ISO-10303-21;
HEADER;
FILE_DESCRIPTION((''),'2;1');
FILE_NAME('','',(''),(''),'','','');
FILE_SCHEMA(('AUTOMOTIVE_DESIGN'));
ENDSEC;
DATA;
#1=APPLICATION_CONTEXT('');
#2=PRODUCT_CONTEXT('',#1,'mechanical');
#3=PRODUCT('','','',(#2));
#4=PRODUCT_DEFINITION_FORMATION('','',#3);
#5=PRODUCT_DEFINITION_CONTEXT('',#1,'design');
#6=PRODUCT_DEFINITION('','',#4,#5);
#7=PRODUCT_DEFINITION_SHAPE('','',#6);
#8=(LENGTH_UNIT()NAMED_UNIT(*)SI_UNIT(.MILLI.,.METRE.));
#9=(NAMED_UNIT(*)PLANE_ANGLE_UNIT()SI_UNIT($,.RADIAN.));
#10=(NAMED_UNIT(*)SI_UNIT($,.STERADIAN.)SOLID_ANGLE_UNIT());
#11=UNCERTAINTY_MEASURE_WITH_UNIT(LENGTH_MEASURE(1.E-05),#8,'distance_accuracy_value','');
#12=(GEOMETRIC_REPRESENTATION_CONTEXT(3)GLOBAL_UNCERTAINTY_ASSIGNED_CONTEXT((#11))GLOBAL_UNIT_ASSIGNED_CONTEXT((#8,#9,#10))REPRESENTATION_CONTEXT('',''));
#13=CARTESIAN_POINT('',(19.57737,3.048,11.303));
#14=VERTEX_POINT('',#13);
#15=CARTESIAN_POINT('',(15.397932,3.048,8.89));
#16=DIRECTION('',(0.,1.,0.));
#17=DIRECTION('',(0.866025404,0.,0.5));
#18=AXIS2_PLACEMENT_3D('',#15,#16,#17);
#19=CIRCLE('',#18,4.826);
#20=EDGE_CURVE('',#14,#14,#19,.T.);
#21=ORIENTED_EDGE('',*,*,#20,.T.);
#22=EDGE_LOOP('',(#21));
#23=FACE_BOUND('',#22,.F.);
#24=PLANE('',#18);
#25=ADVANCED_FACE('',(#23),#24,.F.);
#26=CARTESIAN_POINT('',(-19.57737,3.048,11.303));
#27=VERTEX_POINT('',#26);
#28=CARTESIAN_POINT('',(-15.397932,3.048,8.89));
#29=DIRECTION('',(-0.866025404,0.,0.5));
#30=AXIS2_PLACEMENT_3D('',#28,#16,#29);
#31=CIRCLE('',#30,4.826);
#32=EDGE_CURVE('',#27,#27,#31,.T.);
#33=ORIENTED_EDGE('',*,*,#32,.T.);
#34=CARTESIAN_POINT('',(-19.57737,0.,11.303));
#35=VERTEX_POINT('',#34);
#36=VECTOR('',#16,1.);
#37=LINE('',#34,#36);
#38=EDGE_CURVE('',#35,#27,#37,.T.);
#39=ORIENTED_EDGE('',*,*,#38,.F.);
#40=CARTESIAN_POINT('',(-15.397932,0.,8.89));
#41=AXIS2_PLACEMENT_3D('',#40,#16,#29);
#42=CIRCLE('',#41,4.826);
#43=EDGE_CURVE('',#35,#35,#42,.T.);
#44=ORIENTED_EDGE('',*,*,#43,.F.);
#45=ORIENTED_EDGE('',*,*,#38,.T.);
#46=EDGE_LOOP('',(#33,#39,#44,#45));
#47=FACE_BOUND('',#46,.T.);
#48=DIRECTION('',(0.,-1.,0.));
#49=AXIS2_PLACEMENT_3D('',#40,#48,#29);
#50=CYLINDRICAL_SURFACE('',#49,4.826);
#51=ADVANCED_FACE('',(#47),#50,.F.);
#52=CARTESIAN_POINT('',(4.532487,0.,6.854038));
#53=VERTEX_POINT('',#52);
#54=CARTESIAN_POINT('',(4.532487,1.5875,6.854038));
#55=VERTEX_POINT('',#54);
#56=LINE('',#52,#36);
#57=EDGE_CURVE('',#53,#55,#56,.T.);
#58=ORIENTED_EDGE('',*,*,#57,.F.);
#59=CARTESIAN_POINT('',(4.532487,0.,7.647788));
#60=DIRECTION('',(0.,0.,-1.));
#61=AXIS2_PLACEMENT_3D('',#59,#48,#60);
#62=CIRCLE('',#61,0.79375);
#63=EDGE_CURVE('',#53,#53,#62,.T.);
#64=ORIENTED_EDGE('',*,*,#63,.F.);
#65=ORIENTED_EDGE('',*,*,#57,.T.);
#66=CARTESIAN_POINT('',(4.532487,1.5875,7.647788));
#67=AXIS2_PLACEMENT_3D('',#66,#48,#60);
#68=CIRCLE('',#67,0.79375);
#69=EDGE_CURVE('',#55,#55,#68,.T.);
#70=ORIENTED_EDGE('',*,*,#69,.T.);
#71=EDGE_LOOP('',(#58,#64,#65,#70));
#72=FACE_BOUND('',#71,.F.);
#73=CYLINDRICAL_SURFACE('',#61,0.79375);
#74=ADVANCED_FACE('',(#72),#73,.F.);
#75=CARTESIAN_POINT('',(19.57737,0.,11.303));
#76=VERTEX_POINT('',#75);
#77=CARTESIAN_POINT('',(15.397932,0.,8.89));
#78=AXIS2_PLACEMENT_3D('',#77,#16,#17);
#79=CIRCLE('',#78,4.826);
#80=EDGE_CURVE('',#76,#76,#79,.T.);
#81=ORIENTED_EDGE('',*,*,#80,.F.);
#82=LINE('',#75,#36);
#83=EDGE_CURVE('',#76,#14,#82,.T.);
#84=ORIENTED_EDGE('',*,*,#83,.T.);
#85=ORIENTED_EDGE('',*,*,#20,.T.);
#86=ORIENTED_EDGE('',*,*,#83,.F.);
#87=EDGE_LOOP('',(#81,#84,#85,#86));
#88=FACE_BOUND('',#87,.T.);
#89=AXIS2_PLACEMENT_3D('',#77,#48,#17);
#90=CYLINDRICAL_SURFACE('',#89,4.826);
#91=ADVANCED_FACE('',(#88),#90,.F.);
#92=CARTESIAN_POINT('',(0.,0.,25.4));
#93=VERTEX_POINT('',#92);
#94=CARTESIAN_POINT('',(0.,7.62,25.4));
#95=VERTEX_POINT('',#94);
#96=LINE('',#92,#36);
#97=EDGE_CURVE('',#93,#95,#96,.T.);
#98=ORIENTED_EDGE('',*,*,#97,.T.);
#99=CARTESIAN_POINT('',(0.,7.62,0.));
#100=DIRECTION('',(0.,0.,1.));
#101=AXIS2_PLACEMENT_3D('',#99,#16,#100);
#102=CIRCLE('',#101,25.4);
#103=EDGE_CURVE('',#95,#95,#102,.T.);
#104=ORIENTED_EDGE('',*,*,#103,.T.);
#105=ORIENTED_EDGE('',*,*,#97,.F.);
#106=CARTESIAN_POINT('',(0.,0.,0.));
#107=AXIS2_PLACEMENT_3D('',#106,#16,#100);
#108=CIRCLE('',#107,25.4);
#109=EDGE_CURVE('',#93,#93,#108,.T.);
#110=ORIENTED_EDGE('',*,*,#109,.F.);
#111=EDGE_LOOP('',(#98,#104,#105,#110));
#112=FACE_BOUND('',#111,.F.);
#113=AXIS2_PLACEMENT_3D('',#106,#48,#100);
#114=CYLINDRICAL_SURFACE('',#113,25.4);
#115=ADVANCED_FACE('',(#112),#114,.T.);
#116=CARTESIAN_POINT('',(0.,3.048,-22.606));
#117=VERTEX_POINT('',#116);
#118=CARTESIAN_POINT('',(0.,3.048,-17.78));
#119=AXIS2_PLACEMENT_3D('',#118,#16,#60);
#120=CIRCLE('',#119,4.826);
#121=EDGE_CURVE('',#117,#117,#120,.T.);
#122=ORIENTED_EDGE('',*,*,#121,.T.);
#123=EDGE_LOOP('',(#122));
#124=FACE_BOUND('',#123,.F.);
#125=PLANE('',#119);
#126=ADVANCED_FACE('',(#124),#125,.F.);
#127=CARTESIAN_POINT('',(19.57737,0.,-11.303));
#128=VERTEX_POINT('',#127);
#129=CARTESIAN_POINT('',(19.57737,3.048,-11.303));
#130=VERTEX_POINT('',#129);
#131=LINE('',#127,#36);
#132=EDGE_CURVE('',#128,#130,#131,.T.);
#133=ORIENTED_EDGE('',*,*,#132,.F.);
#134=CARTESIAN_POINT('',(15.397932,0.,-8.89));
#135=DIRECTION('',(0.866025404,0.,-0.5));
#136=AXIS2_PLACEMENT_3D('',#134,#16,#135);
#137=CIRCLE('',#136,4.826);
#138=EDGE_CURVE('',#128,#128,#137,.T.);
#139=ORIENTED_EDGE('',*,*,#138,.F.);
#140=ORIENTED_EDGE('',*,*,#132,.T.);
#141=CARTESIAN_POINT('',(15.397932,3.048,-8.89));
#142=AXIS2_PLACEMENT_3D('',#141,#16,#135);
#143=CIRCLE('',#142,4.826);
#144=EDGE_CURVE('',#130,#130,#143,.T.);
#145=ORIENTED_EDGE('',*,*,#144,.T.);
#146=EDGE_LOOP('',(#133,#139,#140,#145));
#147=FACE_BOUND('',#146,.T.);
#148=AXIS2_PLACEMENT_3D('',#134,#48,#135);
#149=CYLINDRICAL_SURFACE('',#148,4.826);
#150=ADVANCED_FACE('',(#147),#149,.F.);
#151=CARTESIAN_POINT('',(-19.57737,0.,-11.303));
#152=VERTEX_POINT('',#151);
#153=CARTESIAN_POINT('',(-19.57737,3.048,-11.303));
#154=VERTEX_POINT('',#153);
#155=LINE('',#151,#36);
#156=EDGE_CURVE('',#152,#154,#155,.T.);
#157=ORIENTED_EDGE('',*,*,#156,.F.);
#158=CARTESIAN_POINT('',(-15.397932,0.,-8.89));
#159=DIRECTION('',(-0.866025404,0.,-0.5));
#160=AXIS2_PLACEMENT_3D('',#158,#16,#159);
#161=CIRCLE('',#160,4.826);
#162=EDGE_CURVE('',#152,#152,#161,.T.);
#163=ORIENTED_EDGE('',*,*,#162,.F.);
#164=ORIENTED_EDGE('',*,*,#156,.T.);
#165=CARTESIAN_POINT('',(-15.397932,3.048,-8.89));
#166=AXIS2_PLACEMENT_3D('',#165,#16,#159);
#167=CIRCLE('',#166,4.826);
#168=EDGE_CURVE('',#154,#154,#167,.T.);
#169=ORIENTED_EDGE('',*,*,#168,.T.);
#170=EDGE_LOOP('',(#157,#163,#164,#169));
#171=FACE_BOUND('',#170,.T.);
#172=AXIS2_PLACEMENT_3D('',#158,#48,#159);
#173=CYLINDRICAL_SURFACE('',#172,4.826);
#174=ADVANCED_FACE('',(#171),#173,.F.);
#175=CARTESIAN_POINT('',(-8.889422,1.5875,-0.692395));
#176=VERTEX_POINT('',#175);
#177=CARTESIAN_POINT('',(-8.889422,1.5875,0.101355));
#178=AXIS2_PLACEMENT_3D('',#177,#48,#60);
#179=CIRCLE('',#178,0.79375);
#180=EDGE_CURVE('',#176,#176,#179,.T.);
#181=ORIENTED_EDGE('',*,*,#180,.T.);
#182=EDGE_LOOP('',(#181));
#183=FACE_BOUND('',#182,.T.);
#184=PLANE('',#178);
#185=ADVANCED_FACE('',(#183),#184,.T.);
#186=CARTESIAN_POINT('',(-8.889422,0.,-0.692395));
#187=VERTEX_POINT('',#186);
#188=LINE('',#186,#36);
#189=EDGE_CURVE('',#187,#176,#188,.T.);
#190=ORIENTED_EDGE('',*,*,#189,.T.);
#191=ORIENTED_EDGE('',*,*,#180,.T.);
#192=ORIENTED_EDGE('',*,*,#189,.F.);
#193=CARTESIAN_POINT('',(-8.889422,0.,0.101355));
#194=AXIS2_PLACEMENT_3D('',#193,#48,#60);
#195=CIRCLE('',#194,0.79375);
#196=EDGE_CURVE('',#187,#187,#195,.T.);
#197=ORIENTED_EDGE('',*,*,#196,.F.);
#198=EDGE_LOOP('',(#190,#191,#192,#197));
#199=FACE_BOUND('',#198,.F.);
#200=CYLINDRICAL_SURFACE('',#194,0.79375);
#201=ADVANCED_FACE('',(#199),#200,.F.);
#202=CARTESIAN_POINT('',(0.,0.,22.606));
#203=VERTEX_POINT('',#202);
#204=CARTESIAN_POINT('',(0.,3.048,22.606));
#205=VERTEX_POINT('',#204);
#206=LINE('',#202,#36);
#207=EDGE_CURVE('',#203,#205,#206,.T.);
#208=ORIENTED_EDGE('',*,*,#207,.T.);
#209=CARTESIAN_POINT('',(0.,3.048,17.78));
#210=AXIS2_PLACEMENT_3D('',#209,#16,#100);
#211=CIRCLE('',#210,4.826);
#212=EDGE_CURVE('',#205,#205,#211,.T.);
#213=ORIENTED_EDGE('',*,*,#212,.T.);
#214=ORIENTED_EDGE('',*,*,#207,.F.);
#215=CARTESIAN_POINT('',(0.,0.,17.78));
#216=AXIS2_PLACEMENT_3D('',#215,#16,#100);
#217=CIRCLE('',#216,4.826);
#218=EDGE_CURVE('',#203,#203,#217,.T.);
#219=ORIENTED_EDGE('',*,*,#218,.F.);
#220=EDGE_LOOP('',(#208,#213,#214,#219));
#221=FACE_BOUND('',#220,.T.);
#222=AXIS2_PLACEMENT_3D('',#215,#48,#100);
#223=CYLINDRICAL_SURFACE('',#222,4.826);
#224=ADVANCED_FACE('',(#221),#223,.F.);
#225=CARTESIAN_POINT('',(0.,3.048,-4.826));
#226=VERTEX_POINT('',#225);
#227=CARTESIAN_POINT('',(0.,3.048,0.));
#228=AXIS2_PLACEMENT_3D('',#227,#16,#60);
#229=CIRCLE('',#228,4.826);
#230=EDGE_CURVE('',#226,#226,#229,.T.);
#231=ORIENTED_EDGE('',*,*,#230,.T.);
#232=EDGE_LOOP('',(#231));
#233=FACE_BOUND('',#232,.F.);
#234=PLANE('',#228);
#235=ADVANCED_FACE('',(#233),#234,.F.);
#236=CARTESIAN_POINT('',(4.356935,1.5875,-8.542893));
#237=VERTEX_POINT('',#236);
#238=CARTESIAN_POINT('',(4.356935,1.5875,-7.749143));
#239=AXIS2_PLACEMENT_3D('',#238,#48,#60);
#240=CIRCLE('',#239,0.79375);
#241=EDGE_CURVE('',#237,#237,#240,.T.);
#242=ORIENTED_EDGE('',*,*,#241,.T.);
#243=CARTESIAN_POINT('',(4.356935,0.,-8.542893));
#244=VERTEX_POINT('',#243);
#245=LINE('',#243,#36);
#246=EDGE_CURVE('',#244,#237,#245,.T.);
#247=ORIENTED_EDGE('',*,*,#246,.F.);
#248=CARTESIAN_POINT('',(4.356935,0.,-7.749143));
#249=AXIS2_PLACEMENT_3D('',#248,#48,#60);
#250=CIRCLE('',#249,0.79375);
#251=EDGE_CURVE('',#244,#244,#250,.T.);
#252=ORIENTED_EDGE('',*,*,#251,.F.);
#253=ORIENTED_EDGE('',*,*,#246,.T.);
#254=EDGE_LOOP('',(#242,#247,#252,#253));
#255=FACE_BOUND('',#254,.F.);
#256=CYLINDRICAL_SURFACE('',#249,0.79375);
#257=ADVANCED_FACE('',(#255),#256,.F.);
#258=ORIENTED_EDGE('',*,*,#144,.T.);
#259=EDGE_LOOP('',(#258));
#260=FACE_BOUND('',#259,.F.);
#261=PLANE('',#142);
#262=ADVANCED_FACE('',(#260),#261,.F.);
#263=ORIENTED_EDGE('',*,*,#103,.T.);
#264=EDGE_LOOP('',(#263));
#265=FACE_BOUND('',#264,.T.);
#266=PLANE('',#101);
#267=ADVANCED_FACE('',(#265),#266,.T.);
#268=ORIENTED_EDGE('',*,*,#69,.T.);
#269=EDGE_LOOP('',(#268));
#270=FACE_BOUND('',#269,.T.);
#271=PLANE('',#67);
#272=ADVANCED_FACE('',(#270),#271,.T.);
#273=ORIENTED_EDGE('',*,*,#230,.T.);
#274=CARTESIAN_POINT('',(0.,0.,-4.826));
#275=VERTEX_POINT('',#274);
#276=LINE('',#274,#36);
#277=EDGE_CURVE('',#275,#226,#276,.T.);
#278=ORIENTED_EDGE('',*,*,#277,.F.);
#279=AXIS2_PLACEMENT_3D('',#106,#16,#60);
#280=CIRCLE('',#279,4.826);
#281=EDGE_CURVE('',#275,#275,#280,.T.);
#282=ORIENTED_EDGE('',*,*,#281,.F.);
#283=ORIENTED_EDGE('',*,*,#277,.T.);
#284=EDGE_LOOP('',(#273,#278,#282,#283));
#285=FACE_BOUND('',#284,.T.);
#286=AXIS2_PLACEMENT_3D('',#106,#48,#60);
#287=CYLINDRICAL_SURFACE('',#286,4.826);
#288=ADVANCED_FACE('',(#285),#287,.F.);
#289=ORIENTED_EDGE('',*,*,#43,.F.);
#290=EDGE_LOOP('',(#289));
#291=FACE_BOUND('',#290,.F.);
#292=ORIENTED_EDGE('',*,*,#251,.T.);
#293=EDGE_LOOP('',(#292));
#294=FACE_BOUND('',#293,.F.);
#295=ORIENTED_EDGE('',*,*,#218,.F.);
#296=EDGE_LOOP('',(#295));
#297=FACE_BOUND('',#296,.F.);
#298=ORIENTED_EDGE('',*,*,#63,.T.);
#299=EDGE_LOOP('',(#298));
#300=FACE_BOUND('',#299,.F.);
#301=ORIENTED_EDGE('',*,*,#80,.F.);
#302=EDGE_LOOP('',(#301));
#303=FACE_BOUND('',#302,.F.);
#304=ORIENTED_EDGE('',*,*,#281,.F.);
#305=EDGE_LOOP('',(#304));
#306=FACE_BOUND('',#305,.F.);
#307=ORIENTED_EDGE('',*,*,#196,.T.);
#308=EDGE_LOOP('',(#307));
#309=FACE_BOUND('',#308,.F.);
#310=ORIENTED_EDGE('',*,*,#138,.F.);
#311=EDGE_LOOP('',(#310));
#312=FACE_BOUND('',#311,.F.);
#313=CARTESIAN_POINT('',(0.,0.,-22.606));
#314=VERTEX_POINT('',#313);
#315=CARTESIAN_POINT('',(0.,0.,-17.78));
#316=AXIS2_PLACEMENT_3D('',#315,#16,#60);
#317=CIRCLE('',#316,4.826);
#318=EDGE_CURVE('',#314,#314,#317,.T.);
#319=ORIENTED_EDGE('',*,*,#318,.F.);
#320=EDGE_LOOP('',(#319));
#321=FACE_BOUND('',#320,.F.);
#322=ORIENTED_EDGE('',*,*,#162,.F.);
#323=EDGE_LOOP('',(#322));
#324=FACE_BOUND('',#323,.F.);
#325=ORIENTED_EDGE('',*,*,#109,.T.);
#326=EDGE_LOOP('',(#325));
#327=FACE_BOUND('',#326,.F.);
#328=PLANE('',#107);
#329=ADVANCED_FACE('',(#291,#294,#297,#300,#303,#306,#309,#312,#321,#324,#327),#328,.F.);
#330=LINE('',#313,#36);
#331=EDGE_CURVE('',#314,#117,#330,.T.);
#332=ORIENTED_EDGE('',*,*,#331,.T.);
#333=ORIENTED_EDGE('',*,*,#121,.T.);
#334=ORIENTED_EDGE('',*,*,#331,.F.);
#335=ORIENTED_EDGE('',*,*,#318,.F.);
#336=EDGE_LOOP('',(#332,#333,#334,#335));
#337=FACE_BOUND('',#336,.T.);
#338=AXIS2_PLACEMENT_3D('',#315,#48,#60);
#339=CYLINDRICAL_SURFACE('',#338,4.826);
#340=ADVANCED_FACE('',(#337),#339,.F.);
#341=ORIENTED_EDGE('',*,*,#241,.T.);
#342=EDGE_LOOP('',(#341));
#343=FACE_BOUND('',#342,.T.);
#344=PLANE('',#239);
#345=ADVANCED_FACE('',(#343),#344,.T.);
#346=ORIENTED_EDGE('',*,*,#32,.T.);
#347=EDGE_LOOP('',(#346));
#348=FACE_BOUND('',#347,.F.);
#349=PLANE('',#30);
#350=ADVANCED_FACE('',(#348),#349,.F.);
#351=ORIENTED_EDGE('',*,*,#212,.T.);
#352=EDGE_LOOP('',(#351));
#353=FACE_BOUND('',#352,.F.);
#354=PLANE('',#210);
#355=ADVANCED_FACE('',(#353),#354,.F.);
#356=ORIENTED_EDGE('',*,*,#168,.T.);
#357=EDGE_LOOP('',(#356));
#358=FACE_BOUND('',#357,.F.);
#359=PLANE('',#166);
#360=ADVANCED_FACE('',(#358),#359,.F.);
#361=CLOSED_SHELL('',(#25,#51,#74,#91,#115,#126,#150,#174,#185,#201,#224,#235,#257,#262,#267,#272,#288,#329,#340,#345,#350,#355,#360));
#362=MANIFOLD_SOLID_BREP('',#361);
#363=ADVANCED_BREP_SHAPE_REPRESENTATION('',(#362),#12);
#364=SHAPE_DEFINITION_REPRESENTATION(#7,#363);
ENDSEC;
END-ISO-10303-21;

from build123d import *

# Parameters (mm, degrees)
SKETCH1_R           = 25.4
BOSS_EXTRUDE2_DEPTH = 7.62
SKETCH4_R           = 4.826
CUT_EXTRUDE2_DEPTH  = 3.048
CIRPATTERN1_COUNT   = 6
SKETCH5_R           = 4.826
CUT_EXTRUDE6_DEPTH  = 3.048
SKETCH7_R           = 0.79375
CUT_EXTRUDE7_DEPTH  = 1.5875


with BuildPart() as part:
    # Sketch1 → Boss-Extrude2 (new body)
    with BuildSketch(Plane(origin=(0, 0, 0), x_dir=(1, 0, 0), z_dir=(0, 1, 0))):
        with Locations(Location((0, 0, 0), (0, 0, 270))):
            Circle(SKETCH1_R)
    extrude(amount=BOSS_EXTRUDE2_DEPTH)

    # Sketch4 → Cut-Extrude2 (cut)
    with BuildSketch(Plane(origin=(0, 0, 0), x_dir=(1, 0, 0), z_dir=(0, 1, 0))):
        with Locations(Location((0, 17.78, 0), (0, 0, 90))):
            Circle(SKETCH4_R)
    cut_extrude2 = extrude(amount=CUT_EXTRUDE2_DEPTH, mode=Mode.SUBTRACT)

    # CirPattern1: Cut-Extrude2 ×6 about axis
    cirpattern1_axis = Axis((0, 0, 0), (0, 1, 0))
    for i in range(1, CIRPATTERN1_COUNT):
        add(cut_extrude2.rotate(cirpattern1_axis, i * 360 / CIRPATTERN1_COUNT), mode=Mode.SUBTRACT)

    # Sketch5 → Cut-Extrude6 (cut)
    with BuildSketch(Plane(origin=(0, 0, 0), x_dir=(1, 0, 0), z_dir=(0, 1, 0))):
        with Locations(Location((0, 0, 0), (0, 0, 90))):
            Circle(SKETCH5_R)
    extrude(amount=CUT_EXTRUDE6_DEPTH, mode=Mode.SUBTRACT)

    # Sketch7 → Cut-Extrude7 (cut)
    with BuildSketch(Plane.XZ):
        with Locations(Location((4.532486744, 7.647788172, 0), (0, 0, 270))):
            Circle(SKETCH7_R)
        with Locations(Location((4.356935467, -7.749142748, 0), (0, 0, 270))):
            Circle(SKETCH7_R)
        with Locations(Location((-8.889422211, 0.101354577, 0), (0, 0, 270))):
            Circle(SKETCH7_R)
    extrude(amount=-CUT_EXTRUDE7_DEPTH, mode=Mode.SUBTRACT)


solid = part.part
